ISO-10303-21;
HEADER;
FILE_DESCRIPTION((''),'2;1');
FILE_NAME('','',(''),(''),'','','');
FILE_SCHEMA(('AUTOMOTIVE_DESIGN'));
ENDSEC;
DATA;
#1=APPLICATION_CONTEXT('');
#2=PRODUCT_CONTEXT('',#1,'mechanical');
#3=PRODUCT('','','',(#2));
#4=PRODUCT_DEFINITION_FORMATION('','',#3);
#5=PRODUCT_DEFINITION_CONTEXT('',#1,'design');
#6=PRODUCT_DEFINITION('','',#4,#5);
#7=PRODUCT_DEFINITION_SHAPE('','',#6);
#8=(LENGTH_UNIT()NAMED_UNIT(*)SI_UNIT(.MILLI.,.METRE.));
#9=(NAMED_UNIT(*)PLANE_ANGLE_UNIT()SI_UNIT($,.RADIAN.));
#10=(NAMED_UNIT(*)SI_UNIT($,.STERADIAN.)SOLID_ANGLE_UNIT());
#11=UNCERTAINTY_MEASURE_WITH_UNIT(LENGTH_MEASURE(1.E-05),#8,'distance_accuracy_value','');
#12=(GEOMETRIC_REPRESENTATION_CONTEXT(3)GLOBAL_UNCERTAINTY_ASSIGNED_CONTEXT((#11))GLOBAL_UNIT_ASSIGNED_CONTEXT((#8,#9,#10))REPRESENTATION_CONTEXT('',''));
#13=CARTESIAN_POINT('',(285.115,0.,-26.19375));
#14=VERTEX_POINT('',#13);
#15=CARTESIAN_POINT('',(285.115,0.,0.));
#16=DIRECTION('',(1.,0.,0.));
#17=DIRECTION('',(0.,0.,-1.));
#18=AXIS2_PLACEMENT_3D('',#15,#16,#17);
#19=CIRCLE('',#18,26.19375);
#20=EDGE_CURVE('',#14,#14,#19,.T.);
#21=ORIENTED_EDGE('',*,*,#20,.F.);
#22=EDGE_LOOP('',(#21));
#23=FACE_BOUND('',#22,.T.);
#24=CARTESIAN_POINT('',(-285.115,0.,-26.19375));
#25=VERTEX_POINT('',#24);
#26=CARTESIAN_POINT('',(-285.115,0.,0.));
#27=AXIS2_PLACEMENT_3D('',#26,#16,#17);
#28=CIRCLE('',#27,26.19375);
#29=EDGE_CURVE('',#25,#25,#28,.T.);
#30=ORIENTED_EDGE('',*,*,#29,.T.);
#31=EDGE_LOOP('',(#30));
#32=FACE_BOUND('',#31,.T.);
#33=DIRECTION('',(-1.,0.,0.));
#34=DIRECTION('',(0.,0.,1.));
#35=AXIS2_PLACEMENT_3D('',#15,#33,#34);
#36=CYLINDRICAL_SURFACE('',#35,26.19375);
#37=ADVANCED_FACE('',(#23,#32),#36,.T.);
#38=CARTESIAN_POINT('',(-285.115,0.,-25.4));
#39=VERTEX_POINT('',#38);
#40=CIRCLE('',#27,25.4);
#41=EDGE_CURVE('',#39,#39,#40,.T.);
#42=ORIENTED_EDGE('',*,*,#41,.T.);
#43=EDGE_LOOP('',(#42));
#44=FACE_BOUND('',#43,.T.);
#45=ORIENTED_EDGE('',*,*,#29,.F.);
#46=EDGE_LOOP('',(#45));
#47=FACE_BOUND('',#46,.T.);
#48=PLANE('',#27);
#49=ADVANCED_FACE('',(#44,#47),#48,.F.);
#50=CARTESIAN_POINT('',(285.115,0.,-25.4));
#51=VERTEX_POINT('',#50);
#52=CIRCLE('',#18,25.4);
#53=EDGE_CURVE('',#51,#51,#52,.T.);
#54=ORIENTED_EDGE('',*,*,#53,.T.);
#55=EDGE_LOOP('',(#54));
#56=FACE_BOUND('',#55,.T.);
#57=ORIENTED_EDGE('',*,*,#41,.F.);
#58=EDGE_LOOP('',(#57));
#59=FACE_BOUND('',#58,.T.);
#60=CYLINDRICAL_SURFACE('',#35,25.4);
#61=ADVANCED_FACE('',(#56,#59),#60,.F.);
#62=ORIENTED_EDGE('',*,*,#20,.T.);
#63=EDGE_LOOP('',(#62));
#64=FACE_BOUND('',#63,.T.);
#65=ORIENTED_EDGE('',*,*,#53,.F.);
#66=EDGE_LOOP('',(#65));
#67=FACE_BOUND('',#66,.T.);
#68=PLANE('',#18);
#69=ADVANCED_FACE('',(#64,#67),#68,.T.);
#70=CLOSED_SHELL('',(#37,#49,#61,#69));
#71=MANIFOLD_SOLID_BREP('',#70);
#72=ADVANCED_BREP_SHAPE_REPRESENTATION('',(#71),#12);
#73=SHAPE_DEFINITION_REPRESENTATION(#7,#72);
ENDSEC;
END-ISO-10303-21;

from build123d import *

# Parameters (mm, degrees)
SKETCH1_R           = 26.19375
SKETCH1_R_2         = 25.4
BOSS_EXTRUDE1_DEPTH = 285.115


with BuildPart() as part:
    # Sketch1 → Boss-Extrude1 (new body, symmetric)
    with BuildSketch(Plane(origin=(0, 0, 0), x_dir=(0, 0, -1), z_dir=(1, 0, 0))):
        Circle(SKETCH1_R)
        Circle(SKETCH1_R_2, mode=Mode.SUBTRACT)
    extrude(amount=BOSS_EXTRUDE1_DEPTH, both=True)


solid = part.part
